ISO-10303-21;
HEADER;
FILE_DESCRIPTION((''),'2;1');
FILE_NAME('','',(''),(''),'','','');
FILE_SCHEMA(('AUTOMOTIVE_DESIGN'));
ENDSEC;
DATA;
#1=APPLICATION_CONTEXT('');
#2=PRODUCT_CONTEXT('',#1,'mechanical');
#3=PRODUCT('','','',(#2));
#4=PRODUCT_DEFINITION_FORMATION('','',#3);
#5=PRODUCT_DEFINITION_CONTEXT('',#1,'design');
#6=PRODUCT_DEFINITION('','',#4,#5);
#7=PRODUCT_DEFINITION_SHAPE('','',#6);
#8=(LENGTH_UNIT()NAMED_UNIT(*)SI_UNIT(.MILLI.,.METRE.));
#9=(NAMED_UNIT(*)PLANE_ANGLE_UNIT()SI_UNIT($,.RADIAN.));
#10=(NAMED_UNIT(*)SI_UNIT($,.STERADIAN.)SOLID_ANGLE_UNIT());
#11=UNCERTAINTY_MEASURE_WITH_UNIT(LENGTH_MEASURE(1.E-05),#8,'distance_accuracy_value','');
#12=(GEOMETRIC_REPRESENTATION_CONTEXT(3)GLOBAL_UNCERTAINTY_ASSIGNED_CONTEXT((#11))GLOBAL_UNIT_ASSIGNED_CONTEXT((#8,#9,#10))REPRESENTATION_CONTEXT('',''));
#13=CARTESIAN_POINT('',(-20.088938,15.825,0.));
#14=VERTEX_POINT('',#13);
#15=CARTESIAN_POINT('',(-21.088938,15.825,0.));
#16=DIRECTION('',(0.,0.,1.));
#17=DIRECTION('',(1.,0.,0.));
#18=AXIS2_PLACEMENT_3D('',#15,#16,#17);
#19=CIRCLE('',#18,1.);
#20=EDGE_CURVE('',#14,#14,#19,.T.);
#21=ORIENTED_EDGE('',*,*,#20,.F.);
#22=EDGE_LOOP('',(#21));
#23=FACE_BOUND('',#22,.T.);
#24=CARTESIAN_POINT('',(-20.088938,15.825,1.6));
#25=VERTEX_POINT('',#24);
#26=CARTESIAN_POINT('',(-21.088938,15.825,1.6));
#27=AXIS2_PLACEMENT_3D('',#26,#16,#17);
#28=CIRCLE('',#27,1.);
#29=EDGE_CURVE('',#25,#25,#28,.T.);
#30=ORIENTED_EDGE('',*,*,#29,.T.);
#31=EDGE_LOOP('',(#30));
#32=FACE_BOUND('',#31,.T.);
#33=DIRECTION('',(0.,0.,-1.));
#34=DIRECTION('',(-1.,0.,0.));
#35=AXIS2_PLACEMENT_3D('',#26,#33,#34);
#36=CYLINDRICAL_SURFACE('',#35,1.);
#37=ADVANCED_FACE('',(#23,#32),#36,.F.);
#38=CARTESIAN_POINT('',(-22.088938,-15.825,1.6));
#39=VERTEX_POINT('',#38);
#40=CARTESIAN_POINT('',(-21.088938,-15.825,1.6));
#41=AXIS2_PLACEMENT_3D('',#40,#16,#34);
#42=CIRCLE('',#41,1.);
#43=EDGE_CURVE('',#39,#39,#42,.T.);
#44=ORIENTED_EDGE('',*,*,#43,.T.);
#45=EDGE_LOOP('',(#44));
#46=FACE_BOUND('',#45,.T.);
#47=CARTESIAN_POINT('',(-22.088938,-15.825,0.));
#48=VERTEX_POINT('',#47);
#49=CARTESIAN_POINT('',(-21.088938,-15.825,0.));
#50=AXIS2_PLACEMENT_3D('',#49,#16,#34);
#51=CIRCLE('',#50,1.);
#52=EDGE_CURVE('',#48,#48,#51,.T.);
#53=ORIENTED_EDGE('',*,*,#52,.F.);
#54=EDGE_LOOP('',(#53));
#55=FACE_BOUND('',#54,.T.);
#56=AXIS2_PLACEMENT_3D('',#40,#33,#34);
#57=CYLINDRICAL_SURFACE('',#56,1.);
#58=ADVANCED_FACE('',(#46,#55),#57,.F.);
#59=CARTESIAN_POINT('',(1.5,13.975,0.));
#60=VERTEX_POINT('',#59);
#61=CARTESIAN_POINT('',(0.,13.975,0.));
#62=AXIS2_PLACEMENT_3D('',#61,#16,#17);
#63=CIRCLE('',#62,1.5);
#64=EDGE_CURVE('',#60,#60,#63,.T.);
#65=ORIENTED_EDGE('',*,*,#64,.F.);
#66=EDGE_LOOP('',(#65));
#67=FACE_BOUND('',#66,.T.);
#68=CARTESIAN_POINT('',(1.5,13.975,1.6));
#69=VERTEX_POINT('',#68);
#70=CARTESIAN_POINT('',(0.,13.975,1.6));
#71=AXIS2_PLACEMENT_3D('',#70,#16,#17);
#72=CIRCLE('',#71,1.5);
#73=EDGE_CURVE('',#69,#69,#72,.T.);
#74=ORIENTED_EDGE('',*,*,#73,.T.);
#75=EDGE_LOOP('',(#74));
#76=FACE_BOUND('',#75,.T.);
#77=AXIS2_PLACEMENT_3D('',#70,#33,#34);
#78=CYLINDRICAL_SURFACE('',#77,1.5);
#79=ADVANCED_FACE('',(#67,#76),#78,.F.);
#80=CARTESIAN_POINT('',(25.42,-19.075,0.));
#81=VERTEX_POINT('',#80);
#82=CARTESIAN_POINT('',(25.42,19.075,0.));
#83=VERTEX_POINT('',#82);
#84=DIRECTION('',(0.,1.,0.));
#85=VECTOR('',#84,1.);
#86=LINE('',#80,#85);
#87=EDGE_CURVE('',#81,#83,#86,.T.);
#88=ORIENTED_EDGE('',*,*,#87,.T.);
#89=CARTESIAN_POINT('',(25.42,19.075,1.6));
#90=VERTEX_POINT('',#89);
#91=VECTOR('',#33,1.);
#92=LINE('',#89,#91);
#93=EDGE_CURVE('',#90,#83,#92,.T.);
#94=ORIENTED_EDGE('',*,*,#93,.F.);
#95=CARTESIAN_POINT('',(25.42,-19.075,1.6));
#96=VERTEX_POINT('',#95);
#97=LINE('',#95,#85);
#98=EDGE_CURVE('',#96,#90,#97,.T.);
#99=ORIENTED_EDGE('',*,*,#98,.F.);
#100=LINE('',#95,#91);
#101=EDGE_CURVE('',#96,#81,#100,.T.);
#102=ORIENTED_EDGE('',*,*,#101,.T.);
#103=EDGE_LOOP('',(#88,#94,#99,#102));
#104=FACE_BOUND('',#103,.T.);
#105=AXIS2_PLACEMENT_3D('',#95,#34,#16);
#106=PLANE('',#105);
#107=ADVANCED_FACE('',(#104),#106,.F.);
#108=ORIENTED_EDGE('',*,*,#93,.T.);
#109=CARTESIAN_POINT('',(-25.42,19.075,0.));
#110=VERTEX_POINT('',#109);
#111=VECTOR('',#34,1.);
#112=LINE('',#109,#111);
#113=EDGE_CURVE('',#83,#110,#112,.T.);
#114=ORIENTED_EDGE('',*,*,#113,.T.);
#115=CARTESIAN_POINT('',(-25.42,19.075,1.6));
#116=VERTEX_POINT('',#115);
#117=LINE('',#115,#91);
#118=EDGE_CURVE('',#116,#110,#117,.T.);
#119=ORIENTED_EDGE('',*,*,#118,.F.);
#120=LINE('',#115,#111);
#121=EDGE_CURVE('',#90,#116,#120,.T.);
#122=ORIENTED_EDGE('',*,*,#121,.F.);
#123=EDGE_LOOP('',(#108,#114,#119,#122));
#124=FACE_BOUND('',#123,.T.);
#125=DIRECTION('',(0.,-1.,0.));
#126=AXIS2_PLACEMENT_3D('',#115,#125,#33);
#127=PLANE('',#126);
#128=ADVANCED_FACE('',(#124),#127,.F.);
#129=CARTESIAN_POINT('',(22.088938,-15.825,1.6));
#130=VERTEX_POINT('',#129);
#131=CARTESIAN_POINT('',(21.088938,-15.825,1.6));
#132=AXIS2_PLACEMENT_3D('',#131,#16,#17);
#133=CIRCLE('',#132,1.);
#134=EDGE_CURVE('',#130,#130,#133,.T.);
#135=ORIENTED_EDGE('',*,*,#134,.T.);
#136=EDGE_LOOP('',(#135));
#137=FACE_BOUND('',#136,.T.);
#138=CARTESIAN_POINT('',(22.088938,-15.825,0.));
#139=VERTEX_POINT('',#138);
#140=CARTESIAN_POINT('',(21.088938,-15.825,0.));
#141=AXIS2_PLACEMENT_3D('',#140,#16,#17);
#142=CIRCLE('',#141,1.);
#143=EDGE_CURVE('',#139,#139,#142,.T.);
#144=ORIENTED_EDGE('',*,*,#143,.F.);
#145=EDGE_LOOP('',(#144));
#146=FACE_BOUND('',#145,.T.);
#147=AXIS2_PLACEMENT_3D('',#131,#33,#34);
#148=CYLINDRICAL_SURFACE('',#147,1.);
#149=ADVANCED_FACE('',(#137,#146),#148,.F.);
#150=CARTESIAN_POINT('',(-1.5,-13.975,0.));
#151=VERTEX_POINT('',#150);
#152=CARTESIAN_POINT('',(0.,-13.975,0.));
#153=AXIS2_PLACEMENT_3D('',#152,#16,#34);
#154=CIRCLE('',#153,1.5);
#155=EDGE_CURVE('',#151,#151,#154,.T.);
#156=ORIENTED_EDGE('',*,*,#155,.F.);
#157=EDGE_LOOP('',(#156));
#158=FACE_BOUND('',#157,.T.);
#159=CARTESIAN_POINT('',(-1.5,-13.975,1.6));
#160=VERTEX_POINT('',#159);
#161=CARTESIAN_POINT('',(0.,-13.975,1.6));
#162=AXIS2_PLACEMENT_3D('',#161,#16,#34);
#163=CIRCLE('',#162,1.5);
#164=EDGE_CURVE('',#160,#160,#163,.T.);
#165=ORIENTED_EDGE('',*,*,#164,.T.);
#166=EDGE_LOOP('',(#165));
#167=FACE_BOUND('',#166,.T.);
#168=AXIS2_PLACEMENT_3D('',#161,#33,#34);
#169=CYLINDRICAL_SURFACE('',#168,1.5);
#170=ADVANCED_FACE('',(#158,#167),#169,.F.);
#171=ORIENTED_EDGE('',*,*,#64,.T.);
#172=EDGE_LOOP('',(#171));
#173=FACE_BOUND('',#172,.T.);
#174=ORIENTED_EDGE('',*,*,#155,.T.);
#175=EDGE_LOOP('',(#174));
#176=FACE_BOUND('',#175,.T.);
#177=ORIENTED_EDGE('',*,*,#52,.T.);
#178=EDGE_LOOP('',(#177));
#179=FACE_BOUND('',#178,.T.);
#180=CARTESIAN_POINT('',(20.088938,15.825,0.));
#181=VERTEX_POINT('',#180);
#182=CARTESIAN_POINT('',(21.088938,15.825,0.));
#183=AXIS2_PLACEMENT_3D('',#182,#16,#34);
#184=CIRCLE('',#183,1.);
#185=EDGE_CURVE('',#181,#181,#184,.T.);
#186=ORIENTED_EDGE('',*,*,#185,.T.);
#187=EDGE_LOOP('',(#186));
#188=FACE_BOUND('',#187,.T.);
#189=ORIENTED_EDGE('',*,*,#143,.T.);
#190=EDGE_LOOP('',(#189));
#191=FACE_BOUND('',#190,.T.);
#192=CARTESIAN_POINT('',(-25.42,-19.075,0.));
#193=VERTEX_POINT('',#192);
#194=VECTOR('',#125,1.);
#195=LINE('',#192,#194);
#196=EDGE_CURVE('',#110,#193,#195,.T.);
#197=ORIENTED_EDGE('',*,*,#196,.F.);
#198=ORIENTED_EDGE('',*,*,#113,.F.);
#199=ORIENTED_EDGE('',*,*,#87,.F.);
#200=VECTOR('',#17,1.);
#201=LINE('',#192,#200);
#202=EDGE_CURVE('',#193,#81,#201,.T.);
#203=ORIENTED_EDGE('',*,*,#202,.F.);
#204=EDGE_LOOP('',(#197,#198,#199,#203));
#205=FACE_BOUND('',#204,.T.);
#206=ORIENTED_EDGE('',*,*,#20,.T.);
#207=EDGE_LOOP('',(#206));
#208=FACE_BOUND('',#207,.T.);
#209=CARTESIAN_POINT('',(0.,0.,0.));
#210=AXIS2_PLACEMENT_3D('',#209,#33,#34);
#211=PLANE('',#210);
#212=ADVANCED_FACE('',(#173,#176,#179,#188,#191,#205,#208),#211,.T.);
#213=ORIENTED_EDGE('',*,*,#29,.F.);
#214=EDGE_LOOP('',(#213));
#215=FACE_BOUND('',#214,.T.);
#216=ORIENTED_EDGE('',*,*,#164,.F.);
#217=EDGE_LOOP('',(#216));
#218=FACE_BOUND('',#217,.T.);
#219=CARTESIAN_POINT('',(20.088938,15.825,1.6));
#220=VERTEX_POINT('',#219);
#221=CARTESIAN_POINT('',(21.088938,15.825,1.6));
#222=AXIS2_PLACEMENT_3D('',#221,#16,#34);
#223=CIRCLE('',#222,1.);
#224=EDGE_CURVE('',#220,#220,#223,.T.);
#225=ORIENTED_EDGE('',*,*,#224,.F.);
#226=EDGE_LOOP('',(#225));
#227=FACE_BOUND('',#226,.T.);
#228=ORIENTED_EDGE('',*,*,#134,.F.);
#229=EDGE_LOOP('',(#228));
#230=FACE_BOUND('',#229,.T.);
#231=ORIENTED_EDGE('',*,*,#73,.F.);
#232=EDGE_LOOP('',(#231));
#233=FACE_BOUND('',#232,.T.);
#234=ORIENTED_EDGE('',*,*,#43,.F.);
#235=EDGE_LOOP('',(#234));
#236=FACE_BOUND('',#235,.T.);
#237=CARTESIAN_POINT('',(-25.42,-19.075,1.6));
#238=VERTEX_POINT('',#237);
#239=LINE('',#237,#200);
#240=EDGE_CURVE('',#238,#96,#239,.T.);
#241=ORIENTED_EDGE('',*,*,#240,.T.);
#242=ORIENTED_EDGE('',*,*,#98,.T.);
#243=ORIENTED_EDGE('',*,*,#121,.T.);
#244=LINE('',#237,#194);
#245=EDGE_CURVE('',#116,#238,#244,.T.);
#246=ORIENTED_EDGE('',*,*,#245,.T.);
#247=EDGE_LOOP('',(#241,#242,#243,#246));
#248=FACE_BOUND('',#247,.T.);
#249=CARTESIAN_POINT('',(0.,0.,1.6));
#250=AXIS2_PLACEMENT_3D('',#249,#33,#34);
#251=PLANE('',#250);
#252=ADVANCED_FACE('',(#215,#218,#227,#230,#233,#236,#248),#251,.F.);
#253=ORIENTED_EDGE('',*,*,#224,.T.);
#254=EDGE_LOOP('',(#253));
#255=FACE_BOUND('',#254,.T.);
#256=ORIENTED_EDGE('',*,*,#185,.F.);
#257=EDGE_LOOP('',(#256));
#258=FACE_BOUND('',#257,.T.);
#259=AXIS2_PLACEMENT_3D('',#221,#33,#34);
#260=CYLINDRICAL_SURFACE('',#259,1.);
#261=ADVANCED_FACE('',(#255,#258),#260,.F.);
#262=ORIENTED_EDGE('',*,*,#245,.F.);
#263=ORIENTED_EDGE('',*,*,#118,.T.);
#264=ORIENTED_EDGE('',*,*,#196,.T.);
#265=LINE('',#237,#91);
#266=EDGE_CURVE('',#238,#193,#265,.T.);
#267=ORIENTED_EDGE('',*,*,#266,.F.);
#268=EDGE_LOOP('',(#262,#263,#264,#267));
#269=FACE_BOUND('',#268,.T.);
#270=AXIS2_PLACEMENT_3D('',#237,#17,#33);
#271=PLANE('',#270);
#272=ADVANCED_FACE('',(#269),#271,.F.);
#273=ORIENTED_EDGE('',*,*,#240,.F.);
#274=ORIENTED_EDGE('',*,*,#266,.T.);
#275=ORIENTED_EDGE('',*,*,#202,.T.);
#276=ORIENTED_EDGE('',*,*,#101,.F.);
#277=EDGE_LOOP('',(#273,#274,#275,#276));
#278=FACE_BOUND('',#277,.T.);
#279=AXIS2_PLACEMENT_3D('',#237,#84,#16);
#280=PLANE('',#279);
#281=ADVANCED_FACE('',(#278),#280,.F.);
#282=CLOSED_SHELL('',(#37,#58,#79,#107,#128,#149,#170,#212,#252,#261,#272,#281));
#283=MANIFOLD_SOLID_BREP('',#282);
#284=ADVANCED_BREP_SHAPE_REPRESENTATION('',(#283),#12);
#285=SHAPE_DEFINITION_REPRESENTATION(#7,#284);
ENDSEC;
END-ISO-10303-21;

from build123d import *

# Parameters (mm, degrees)
SKETCH1_W           = 50.84
SKETCH1_H           = 38.15
SKETCH1_R           = 1.5
SKETCH1_R_2         = 1
BOSS_EXTRUDE1_DEPTH = 1.6


with BuildPart() as part:
    # Sketch1 → Boss-Extrude1 (new body)
    with BuildSketch(Plane.XY):
        Rectangle(SKETCH1_W, SKETCH1_H)
        with Locations((0, 13.975)):
            Circle(SKETCH1_R, mode=Mode.SUBTRACT)
        with Locations(Location((0, -13.975, 0), (0, 0, 180))):
            Circle(SKETCH1_R, mode=Mode.SUBTRACT)
        with Locations((-21.088938401, 15.825)):
            Circle(SKETCH1_R_2, mode=Mode.SUBTRACT)
        with Locations(Location((21.088938401, 15.825, 0), (0, 0, 180))):
            Circle(SKETCH1_R_2, mode=Mode.SUBTRACT)
        with Locations((21.088938401, -15.825)):
            Circle(SKETCH1_R_2, mode=Mode.SUBTRACT)
        with Locations(Location((-21.088938401, -15.825, 0), (0, 0, 180))):
            Circle(SKETCH1_R_2, mode=Mode.SUBTRACT)
    extrude(amount=BOSS_EXTRUDE1_DEPTH)


solid = part.part
